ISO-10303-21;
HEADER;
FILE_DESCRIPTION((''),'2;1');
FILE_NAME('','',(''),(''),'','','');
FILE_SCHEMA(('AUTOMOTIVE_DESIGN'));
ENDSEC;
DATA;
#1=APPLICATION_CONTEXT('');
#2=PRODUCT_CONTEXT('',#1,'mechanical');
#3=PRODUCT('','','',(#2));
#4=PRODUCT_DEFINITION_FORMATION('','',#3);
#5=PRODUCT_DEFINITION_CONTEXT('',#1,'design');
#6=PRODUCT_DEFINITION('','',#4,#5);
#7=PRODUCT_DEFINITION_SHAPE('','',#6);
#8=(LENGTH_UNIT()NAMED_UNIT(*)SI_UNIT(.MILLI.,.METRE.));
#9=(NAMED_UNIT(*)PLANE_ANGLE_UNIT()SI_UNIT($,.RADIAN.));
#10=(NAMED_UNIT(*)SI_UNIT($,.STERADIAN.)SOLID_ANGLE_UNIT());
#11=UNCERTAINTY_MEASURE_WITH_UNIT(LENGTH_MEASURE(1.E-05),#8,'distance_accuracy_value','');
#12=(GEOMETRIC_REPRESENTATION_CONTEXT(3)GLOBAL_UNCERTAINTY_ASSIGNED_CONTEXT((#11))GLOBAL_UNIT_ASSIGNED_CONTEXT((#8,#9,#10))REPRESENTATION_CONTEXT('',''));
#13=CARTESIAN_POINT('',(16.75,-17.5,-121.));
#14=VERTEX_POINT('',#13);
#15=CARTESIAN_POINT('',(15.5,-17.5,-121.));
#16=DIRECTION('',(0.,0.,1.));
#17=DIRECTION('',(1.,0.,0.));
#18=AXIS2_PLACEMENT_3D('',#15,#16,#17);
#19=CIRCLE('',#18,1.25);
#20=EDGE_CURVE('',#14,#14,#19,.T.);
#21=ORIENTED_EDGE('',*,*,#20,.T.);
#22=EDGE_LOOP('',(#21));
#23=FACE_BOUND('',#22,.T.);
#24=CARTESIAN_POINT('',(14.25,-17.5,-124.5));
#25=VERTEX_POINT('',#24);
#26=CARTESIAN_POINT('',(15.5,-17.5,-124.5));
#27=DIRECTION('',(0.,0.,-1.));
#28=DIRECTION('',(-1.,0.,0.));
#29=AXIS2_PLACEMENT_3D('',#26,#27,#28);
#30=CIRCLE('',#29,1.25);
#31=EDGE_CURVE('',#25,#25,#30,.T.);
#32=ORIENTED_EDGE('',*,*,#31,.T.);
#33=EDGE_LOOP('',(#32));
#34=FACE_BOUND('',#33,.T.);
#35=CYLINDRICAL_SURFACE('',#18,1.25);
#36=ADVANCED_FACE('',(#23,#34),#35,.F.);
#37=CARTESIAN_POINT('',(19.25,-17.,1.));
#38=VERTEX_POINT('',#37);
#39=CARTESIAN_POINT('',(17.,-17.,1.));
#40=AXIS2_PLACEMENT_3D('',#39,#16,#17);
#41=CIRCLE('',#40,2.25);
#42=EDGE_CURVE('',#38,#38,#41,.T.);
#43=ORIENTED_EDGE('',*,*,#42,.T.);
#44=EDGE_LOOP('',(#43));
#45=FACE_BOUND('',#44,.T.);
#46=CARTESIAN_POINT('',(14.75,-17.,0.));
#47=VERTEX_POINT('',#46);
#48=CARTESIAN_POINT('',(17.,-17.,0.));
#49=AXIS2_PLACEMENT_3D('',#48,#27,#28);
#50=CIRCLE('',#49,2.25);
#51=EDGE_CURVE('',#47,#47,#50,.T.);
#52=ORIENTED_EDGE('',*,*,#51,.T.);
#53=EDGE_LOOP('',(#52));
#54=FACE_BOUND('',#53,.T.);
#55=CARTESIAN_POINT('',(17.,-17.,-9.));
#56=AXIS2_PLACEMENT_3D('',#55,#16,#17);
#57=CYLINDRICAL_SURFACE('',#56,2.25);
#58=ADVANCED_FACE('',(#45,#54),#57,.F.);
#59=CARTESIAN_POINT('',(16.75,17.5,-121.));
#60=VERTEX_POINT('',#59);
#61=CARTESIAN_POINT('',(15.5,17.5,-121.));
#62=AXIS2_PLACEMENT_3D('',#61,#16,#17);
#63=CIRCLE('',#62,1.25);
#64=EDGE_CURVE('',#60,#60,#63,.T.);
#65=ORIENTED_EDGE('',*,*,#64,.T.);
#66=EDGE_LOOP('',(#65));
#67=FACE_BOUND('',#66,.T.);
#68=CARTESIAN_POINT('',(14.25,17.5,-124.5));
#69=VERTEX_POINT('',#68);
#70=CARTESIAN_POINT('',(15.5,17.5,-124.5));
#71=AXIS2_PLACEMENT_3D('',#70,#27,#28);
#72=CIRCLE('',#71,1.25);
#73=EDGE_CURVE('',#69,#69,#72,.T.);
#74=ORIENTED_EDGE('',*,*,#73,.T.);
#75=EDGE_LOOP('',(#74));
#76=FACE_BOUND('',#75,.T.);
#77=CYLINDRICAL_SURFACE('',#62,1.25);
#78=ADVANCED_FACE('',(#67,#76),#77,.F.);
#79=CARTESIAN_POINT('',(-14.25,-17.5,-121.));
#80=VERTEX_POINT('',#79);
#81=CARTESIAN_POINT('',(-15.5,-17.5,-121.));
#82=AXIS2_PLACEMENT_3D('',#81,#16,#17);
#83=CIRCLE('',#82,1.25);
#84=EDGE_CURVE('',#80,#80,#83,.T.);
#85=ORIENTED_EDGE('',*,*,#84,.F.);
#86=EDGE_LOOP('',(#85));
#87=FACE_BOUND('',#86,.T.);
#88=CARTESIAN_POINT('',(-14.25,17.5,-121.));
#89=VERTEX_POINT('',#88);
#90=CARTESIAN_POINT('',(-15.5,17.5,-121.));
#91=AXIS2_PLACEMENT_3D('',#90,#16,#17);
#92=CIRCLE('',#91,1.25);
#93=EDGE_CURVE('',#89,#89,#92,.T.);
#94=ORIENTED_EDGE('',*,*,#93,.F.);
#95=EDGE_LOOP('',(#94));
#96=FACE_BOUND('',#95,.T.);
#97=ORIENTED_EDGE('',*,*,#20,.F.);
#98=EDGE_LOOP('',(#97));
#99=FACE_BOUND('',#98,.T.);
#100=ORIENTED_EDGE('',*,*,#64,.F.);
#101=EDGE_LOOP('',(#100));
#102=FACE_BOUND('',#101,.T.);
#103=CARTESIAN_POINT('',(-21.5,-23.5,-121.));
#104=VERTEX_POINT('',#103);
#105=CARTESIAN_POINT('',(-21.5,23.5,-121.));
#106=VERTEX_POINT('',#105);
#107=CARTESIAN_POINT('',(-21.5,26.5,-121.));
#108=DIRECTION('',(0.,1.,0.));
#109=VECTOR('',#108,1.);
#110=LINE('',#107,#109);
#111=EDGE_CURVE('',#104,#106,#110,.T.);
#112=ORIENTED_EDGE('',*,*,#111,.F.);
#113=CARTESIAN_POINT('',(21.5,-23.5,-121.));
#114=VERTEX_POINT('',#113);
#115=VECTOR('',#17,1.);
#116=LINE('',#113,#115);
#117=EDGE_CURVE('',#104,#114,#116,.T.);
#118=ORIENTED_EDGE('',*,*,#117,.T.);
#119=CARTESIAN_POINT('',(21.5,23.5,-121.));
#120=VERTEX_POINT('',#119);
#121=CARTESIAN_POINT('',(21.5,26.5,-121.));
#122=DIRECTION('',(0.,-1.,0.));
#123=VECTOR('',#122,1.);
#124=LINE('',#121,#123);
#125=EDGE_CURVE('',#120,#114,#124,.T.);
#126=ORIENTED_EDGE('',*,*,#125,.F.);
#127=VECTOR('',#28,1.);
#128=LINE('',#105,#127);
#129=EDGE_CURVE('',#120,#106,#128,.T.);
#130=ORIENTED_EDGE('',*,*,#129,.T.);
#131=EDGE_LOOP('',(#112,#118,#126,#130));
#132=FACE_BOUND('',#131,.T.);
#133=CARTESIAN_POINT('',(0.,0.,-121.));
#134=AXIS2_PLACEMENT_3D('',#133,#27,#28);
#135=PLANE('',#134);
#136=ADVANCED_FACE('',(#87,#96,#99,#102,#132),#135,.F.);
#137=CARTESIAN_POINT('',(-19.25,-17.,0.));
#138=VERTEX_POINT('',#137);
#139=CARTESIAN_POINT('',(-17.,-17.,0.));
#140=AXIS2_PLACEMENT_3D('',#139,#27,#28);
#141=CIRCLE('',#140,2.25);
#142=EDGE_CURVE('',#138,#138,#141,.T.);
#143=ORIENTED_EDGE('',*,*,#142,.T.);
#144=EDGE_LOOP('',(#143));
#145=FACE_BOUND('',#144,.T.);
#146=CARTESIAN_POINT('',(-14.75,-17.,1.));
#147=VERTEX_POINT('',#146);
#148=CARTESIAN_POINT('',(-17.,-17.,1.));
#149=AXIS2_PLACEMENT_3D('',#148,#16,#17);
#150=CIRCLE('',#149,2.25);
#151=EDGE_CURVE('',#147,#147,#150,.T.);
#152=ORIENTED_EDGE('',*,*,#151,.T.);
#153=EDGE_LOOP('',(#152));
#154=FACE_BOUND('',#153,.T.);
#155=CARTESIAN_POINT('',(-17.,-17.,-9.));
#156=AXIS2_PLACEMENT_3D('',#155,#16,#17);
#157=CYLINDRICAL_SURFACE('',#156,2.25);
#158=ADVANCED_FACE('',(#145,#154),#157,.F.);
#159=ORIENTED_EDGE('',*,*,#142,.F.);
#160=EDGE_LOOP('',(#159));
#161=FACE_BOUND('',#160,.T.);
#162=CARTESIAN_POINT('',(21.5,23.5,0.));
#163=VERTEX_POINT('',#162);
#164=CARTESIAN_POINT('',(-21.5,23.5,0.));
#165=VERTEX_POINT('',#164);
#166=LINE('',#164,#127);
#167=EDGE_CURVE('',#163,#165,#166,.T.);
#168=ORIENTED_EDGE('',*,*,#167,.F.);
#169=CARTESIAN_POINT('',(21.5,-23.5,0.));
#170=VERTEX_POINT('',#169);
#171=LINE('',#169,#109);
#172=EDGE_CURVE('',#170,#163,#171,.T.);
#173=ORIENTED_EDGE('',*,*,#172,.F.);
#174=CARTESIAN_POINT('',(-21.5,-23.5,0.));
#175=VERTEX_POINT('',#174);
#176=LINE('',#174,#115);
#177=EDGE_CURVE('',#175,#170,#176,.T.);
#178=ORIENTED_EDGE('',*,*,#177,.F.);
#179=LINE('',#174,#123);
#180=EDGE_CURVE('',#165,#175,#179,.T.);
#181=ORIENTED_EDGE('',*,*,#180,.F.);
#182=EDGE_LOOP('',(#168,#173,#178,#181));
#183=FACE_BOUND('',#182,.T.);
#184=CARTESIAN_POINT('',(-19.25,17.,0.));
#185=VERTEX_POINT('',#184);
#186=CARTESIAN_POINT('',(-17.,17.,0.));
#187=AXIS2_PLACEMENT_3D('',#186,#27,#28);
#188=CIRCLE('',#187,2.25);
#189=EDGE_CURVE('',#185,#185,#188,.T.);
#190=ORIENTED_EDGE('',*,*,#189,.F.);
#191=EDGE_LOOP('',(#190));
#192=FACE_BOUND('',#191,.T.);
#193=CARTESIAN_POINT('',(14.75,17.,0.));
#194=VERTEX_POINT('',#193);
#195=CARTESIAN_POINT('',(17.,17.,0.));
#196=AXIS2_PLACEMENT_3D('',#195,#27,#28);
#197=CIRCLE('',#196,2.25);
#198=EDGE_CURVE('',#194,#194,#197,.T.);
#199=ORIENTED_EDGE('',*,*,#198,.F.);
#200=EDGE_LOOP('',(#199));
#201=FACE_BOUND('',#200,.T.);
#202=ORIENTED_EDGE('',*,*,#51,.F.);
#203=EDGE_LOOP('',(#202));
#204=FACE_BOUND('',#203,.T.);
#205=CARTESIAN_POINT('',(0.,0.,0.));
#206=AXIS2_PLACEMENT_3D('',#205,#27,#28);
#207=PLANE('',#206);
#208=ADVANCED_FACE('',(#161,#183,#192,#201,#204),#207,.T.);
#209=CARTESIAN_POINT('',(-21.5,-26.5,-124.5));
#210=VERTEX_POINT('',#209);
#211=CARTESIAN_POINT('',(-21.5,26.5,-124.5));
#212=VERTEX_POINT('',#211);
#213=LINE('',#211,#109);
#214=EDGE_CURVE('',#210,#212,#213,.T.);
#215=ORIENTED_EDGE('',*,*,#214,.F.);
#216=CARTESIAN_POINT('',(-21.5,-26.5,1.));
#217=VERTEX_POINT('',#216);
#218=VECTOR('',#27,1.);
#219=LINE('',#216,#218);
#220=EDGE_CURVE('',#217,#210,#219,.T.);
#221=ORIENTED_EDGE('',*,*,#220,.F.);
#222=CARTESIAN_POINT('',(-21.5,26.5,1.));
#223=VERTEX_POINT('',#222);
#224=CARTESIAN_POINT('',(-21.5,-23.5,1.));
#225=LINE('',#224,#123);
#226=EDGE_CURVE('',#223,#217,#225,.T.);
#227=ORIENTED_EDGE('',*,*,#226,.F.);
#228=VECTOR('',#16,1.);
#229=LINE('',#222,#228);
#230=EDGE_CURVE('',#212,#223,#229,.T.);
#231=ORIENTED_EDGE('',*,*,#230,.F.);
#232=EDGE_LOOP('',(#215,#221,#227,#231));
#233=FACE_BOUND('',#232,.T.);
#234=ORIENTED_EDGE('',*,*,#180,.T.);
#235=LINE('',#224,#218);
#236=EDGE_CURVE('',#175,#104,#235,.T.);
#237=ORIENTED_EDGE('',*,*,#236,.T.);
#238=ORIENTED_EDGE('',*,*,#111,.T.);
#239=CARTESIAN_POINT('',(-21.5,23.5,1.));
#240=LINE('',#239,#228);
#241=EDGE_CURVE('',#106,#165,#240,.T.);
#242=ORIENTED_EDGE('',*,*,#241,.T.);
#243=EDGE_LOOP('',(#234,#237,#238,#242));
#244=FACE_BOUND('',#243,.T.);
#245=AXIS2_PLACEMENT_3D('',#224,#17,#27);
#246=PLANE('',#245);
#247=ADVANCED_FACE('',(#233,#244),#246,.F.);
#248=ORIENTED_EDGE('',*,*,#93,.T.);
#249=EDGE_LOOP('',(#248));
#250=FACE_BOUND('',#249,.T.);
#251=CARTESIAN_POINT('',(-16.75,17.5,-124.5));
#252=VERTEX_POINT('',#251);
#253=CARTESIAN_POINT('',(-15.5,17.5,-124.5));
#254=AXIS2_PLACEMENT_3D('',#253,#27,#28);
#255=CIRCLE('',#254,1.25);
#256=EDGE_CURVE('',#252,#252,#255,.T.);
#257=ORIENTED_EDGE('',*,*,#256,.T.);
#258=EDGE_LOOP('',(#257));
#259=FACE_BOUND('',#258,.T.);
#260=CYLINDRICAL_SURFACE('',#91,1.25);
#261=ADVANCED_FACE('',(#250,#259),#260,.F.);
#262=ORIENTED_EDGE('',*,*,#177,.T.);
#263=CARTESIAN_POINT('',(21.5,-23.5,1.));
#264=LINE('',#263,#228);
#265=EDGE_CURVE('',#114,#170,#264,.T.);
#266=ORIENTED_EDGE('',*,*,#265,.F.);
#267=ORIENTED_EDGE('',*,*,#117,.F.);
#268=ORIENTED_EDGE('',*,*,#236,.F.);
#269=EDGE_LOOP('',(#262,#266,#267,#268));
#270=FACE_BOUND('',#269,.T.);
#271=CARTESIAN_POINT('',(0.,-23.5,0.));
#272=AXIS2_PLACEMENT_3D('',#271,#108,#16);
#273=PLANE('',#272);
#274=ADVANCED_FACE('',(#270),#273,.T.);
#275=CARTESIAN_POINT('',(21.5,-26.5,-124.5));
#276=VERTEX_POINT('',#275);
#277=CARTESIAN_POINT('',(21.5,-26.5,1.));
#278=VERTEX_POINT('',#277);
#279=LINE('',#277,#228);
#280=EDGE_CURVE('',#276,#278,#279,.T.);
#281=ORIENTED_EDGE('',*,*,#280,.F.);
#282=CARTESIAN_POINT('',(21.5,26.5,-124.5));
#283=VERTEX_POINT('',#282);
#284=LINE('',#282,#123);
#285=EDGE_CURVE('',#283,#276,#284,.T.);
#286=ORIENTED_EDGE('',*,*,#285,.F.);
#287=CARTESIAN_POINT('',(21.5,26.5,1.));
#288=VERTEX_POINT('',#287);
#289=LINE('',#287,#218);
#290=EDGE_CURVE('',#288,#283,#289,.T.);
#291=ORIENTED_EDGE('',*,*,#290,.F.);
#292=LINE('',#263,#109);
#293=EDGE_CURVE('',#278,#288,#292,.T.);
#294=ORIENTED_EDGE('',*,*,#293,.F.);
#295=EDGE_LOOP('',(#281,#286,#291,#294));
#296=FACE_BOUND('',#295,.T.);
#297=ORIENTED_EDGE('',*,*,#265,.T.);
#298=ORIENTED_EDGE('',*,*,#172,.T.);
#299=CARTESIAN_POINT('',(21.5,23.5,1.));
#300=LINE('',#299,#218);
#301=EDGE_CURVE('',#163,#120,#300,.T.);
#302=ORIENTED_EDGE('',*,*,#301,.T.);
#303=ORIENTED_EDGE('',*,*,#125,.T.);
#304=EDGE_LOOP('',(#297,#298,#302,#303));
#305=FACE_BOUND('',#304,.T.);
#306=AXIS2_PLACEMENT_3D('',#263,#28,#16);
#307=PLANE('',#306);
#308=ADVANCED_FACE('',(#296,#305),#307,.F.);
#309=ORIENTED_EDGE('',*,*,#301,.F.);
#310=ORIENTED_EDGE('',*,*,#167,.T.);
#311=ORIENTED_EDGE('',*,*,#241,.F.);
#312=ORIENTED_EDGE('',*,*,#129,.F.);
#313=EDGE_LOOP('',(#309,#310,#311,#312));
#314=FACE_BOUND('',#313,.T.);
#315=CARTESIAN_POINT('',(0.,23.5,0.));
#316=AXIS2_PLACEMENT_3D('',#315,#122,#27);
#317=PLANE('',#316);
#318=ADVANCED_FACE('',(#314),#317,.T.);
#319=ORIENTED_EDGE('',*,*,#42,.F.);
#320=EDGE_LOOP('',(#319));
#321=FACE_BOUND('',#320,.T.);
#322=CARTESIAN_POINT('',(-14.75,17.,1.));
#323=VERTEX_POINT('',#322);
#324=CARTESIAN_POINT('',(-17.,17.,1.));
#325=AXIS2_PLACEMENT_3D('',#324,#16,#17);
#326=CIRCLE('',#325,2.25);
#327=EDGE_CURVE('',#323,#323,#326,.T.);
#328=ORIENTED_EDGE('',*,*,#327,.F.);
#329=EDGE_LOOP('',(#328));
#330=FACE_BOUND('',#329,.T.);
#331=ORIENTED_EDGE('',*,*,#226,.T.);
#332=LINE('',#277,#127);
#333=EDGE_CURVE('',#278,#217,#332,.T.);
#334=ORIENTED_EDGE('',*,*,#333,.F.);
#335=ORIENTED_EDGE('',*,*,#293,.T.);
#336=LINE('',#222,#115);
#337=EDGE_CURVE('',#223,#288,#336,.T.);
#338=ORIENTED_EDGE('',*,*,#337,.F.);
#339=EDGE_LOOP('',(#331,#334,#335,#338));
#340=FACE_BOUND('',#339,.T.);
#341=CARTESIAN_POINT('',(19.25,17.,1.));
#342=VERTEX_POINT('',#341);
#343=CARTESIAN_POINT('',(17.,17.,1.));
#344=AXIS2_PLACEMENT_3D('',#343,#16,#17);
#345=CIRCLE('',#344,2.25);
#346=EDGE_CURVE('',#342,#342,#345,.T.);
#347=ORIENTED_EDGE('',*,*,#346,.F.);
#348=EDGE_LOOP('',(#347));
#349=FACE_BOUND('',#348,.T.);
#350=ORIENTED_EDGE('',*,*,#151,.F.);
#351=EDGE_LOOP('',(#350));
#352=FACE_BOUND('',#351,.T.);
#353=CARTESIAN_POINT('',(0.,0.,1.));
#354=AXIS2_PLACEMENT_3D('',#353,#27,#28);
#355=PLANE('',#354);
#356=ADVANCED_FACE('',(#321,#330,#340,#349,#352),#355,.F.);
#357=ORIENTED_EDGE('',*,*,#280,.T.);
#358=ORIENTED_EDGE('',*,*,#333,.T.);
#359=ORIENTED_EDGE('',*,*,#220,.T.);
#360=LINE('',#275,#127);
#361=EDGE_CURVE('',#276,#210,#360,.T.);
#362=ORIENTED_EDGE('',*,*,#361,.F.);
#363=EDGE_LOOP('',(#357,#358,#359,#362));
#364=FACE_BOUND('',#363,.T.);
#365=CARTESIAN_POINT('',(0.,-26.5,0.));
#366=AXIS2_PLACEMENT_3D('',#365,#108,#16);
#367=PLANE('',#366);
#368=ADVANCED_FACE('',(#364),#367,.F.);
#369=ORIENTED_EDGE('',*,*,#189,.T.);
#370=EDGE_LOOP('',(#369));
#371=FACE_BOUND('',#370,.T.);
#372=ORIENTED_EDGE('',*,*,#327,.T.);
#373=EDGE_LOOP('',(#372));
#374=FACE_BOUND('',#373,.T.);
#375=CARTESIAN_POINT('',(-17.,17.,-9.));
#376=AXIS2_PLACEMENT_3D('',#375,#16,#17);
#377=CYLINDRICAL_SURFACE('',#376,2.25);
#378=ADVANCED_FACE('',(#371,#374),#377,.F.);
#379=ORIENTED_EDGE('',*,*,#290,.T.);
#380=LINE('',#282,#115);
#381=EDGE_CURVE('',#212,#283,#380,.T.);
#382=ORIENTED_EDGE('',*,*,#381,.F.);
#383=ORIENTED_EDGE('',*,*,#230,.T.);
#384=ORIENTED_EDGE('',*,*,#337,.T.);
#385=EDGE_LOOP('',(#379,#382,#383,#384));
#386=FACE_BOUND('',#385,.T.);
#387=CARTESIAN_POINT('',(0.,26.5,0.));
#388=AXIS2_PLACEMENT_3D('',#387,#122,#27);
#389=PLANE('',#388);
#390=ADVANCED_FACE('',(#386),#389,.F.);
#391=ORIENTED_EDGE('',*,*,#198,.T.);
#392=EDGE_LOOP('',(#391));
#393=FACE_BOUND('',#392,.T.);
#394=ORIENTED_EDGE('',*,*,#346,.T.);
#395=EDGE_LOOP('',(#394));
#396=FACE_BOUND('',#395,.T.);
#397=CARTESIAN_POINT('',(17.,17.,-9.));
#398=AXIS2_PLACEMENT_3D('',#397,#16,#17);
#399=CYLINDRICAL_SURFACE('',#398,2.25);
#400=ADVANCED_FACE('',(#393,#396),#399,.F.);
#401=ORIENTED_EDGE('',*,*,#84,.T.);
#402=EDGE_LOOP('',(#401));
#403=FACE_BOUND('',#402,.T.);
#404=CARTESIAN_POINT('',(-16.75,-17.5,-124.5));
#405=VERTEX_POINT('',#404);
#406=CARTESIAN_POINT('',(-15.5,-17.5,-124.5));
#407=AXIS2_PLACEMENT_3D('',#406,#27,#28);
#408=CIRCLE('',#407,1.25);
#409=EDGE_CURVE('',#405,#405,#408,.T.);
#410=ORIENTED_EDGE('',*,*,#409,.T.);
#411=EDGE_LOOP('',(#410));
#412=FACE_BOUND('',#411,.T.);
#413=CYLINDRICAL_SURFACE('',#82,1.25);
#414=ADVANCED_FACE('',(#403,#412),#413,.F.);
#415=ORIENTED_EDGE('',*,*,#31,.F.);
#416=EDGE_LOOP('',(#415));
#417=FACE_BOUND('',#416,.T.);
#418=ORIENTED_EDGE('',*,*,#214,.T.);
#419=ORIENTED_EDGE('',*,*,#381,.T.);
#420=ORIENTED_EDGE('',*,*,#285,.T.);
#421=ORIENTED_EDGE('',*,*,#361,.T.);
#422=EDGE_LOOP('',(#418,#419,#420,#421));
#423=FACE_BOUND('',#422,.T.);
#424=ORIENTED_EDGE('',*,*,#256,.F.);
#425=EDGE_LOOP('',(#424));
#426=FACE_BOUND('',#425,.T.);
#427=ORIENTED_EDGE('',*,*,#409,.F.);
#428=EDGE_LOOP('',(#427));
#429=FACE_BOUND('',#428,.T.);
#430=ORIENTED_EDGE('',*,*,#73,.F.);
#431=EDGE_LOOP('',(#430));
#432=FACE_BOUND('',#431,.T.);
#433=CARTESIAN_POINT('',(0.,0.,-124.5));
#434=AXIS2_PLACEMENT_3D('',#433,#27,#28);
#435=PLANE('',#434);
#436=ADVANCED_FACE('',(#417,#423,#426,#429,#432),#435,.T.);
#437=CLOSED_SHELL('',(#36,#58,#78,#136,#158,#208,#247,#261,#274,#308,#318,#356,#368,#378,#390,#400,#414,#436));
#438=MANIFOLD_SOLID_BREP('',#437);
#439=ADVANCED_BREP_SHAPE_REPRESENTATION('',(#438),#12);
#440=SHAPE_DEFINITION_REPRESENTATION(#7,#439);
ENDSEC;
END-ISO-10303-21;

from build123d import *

# Parameters (mm, degrees)
SKETCH_1_W                  = 43
SKETCH_1_H                  = 47
EXTRUDE_1_DEPTH             = 1
SKETCH_2_W                  = 43
SKETCH_2_H                  = 122
EXTRUDE_2_DEPTH             = 3
SKETCH_3_W                  = 43
SKETCH_3_H                  = 122
EXTRUDE_3_DEPTH             = 3
SKETCH_5_R                  = 2.25
CUT_EXTRUDE_1_DEPTH         = 10
PATTERN_LINEAR_1_COUNT      = 2
PATTERN_LINEAR_1_PITCH      = 34
PATTERN_LINEAR_1_COUNT_DIR2 = 2
PATTERN_LINEAR_1_PITCH_DIR2 = 34
SKETCH_6_W                  = 43
SKETCH_6_H                  = 53
EXTRUDE_4_DEPTH             = 3.5
HOLE_WIZARD_M3_1_D          = 2.5
HOLE_WIZARD_M3_1_DEPTH      = 7.5
HOLE_WIZARD_M3_1_TIP        = 0.751075774


with BuildPart() as part:
    # 草图1 → 凸台-拉伸1 (new body)
    with BuildSketch(Plane.XY):
        Rectangle(SKETCH_1_W, SKETCH_1_H)
    extrude(amount=EXTRUDE_1_DEPTH)

    # 草图2 → 凸台-拉伸2 (add)
    with BuildSketch(Plane(origin=(0, 23.5, 0), x_dir=(1, 0, 0), z_dir=(0, 1, 0))):
        with Locations((0, 60)):
            Rectangle(SKETCH_2_W, SKETCH_2_H)
    extrude(amount=EXTRUDE_2_DEPTH)

    # 草图3 → 凸台-拉伸3 (add)
    with BuildSketch(Plane.XZ.offset(23.5)):
        with Locations((0, -60)):
            Rectangle(SKETCH_3_W, SKETCH_3_H)
    extrude(amount=EXTRUDE_3_DEPTH)

    # 草图5 → 切除-拉伸1 (cut)
    with BuildSketch(Plane.XY.offset(1)):
        with Locations((-17, -17)):
            Circle(SKETCH_5_R)
    cut_extrude_1 = extrude(amount=-CUT_EXTRUDE_1_DEPTH, mode=Mode.SUBTRACT)

    # 阵列(线性)1: Cut-Extrude 1 2 × 2
    with Locations(*[(j * PATTERN_LINEAR_1_PITCH_DIR2, i * PATTERN_LINEAR_1_PITCH, 0) for i in range(PATTERN_LINEAR_1_COUNT) for j in range(PATTERN_LINEAR_1_COUNT_DIR2) if (i, j) != (0, 0)]):
        add(cut_extrude_1, mode=Mode.SUBTRACT)

    # 草图6 → 凸台-拉伸4 (add)
    with BuildSketch(Plane(origin=(0, 0, -121), x_dir=(-1, 0, 0), z_dir=(0, 0, -1))):
        Rectangle(SKETCH_6_W, SKETCH_6_H)
    extrude(amount=EXTRUDE_4_DEPTH)

    # M3 螺纹孔1
    with Locations(Plane(origin=(-15.5, 17.5, -121), x_dir=(1, 0, 0), z_dir=(0, 0, 1))):
        with Locations((0, 0), (31, 0), (0, -35), (31, -35)):
            Hole(HOLE_WIZARD_M3_1_D / 2, depth=HOLE_WIZARD_M3_1_DEPTH)
            with Locations((0, 0, -(HOLE_WIZARD_M3_1_DEPTH + HOLE_WIZARD_M3_1_TIP / 2))):  # 118° drill point
                Cone(0, HOLE_WIZARD_M3_1_D / 2, HOLE_WIZARD_M3_1_TIP, mode=Mode.SUBTRACT)


solid = part.part
